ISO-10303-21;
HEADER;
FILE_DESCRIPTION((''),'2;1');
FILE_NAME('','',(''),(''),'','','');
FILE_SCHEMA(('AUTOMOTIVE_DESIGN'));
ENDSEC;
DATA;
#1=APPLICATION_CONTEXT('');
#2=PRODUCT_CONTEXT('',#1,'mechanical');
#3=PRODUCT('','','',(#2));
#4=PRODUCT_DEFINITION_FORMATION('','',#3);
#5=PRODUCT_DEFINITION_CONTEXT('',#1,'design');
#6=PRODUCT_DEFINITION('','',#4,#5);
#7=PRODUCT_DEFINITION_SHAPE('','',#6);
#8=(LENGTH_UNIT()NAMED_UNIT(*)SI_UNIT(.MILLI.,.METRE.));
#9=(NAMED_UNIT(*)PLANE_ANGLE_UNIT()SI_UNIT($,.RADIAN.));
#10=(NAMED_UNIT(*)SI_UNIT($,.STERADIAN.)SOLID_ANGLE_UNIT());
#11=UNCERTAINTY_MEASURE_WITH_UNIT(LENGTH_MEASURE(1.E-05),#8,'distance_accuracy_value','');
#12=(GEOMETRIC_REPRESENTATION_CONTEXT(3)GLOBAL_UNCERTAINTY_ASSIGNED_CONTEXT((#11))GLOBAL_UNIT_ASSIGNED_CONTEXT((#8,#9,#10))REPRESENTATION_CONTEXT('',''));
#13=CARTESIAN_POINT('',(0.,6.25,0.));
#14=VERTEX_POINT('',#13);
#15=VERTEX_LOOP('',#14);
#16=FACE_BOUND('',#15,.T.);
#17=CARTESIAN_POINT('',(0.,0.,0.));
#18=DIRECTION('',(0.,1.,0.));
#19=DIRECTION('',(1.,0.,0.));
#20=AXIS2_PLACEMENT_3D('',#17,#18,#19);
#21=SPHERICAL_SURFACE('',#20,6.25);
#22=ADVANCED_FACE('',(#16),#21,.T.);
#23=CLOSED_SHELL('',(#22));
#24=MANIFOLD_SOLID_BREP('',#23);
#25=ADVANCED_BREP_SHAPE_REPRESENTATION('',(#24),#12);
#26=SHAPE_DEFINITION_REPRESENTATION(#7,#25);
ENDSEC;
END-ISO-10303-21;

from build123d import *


with BuildPart() as part:
    # Esquisse1 → Révolution1 (revolve)
    with BuildSketch(Plane.XY):
        with BuildLine():
            Line((0, 6.25), (0, -6.25))
            ThreePointArc((0, -6.25), (-6.25, 0), (0, 6.25))
        make_face()
    revolve(axis=Axis((0, 23.295679876, 0), (0, -1, 0)))


solid = part.part
